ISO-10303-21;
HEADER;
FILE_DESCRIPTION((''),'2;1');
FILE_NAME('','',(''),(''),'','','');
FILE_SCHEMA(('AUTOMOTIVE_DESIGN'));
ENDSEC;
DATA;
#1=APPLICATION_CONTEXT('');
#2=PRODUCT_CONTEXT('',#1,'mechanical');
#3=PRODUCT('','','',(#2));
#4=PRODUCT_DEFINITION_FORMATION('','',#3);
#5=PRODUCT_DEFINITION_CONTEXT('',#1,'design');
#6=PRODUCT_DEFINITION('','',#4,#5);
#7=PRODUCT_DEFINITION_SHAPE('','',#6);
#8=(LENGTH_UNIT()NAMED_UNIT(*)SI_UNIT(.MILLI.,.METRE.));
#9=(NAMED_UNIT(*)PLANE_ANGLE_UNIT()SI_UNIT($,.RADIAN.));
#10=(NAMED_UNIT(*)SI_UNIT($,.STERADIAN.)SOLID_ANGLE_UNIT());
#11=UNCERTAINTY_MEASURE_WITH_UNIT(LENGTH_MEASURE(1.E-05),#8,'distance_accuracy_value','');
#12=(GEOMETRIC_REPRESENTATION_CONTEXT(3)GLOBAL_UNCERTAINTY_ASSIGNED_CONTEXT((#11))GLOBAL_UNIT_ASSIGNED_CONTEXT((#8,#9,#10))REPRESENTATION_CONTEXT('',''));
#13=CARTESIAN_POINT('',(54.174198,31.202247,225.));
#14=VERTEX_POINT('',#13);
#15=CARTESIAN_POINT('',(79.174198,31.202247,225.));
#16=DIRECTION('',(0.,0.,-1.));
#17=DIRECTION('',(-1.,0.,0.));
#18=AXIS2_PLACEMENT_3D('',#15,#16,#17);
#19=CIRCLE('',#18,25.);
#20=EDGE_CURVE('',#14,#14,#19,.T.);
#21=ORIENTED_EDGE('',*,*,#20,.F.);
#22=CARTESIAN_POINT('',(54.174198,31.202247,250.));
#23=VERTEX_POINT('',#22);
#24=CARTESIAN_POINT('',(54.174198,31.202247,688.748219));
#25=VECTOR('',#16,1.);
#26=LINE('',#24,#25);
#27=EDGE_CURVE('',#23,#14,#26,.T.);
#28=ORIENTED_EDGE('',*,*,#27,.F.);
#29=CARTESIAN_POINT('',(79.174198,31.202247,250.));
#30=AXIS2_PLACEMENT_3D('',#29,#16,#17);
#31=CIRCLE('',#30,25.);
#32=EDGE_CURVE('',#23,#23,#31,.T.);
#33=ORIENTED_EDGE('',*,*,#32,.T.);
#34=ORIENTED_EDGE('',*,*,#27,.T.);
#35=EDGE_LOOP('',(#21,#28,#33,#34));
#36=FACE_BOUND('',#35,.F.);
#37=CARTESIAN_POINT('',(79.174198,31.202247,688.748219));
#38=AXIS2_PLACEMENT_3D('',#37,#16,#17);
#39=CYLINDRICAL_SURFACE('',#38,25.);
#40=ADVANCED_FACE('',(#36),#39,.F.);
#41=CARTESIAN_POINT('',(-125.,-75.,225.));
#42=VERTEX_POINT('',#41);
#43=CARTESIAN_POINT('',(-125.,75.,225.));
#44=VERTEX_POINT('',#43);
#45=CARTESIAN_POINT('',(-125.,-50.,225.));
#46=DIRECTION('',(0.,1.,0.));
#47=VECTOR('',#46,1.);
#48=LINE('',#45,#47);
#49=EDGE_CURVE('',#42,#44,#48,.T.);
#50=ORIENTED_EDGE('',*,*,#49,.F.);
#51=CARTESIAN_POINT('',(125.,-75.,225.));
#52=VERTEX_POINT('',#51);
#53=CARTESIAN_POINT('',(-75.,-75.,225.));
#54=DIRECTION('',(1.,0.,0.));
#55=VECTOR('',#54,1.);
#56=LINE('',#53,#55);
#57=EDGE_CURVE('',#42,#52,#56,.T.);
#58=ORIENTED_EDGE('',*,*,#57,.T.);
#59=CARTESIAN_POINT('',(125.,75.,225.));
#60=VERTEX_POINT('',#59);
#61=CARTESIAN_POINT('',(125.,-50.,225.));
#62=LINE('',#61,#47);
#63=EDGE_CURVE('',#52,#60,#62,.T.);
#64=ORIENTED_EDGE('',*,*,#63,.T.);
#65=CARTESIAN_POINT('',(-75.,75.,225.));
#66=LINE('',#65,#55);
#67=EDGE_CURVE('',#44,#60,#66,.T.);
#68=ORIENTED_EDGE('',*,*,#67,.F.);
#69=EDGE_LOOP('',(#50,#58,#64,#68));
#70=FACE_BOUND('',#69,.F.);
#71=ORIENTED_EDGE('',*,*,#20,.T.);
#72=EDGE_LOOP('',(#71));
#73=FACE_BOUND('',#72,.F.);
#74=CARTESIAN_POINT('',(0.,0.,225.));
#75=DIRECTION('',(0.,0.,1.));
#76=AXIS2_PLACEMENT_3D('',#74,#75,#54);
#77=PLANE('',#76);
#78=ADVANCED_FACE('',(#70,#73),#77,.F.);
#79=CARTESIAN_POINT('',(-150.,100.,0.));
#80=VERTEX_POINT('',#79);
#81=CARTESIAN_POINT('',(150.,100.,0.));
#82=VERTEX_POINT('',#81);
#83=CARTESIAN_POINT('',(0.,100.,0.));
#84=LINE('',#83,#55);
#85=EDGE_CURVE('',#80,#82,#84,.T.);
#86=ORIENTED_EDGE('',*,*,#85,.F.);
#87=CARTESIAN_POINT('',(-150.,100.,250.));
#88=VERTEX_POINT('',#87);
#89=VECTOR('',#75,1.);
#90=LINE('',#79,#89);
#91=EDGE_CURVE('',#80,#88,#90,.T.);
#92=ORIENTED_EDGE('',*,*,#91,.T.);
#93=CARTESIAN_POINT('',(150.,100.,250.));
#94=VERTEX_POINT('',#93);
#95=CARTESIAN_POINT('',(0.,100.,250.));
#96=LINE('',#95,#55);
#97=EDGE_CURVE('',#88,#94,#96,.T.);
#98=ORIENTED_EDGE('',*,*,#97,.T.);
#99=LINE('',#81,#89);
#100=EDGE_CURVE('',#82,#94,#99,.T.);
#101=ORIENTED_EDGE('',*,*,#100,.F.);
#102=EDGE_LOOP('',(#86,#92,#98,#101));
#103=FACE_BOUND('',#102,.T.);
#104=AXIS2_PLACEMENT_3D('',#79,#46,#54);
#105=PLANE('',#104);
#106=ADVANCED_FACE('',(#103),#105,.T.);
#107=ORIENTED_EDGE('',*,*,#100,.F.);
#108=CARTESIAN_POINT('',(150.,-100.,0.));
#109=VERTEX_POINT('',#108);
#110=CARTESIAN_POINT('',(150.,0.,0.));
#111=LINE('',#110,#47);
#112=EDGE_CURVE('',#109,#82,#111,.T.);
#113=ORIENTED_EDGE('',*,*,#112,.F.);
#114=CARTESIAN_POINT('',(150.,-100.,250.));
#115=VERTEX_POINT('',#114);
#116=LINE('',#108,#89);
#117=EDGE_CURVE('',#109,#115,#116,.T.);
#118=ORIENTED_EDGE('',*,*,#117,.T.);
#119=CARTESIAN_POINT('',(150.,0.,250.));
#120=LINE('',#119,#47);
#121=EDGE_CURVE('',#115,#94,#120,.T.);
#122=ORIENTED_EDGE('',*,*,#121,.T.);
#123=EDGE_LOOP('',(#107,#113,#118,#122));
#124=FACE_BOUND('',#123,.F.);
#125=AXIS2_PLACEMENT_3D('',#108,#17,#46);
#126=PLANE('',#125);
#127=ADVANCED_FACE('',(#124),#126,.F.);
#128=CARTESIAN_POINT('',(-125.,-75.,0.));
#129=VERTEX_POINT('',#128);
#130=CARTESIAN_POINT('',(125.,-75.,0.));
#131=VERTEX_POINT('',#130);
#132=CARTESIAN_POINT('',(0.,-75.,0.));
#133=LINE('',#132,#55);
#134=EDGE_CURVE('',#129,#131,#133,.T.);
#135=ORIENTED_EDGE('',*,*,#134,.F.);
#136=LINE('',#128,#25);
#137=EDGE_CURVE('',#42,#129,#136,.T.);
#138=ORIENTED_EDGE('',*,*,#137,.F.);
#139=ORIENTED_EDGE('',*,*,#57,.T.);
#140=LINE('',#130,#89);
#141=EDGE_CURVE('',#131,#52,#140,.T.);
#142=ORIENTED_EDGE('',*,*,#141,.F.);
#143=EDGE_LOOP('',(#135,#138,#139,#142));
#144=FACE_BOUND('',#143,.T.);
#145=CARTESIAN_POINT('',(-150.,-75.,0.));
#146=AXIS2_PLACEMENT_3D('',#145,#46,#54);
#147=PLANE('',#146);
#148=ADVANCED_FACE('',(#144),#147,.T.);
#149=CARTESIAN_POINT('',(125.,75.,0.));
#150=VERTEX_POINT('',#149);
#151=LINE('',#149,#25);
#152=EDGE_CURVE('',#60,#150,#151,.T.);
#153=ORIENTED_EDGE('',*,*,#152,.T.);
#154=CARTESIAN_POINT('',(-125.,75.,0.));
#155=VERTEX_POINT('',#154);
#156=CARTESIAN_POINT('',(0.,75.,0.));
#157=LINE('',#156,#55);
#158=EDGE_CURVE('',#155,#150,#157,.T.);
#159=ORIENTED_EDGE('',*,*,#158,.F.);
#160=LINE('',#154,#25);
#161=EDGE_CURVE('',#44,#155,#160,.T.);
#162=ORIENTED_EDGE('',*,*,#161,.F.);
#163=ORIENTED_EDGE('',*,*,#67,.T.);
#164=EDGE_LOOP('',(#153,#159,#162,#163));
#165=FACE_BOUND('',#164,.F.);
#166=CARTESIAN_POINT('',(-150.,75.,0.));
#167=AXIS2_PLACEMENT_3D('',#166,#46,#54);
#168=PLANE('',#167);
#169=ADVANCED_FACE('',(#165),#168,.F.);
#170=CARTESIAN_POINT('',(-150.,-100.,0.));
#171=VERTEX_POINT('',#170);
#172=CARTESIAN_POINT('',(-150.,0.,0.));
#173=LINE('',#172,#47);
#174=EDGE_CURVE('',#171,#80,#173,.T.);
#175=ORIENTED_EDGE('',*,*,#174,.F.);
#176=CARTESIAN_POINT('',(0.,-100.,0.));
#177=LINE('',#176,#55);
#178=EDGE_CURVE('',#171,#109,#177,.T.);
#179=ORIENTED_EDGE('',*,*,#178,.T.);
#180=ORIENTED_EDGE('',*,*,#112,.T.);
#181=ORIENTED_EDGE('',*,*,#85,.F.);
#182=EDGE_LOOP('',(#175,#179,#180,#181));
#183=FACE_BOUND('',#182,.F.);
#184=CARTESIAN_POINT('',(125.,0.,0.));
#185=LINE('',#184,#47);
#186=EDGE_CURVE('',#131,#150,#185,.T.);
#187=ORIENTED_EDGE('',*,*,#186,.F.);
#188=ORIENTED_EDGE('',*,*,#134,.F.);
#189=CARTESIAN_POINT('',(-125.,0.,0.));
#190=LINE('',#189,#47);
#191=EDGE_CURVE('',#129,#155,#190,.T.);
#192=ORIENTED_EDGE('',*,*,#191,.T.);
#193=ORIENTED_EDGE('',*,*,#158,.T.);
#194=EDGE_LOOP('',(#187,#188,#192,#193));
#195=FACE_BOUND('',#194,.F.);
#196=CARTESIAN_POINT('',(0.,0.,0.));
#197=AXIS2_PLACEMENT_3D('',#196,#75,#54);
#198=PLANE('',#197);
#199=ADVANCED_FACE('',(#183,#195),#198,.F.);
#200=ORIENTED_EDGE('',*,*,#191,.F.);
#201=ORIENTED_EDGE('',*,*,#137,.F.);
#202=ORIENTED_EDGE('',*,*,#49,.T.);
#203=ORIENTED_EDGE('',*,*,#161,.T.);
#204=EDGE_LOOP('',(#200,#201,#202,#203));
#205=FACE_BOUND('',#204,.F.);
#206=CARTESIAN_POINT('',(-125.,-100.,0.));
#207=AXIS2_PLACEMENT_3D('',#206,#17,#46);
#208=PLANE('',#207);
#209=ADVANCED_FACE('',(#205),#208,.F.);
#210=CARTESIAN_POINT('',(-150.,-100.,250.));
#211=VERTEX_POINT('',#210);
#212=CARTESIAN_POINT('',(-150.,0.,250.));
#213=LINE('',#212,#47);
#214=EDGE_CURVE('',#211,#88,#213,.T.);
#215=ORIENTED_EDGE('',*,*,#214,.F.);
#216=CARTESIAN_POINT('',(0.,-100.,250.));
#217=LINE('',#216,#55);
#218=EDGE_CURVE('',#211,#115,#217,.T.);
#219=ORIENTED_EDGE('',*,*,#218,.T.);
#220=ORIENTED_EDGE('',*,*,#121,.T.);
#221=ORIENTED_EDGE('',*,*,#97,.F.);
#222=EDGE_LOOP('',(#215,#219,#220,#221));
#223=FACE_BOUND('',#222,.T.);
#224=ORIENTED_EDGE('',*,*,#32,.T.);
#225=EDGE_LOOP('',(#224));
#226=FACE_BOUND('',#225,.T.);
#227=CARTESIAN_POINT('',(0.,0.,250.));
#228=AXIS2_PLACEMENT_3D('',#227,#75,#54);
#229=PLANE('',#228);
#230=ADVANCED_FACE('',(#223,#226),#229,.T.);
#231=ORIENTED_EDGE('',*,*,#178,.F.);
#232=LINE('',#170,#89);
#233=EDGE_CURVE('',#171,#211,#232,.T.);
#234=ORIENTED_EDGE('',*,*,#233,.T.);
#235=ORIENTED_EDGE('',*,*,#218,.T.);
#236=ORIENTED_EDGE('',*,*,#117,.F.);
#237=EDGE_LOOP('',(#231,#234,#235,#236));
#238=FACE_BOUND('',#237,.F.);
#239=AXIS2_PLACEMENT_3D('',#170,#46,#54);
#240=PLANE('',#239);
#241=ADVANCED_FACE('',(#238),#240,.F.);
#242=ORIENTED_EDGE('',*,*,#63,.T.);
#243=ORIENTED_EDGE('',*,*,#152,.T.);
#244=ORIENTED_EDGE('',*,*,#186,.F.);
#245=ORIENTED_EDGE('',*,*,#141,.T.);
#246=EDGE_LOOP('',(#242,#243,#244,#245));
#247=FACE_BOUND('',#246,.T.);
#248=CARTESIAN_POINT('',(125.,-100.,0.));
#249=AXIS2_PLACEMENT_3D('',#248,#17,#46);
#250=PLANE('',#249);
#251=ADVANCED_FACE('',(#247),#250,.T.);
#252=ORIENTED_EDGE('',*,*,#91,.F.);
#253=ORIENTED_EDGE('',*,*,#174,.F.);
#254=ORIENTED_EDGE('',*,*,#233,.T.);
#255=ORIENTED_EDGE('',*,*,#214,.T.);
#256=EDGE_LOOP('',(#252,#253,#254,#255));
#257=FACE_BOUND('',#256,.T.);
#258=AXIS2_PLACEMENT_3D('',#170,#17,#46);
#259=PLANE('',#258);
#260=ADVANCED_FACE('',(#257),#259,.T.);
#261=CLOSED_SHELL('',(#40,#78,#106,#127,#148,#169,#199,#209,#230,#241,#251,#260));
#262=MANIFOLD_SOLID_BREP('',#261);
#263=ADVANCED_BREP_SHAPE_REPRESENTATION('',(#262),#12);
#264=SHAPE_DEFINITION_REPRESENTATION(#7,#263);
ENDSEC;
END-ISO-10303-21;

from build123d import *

# Parameters (mm, degrees)
F0_W     = 300
F0_H     = 200
F1_DEPTH = 250
F2_T     = -25
F4_D     = 50


with BuildPart() as f1:
    # F0 (on Top) → F1 (new body)
    with BuildSketch(Plane.XY):
        Rectangle(F0_W, F0_H)
    extrude(amount=F1_DEPTH)

    # F2
    f2_openings = [f1.faces().sort_by_distance(p)[0] for p in [
        (0, 0, 0),
    ]]
    offset(amount=F2_T, openings=f2_openings)

    # F4 (through all)
    with Locations(Plane.XY.offset(250)):
        with Locations((79.174198, 31.202247)):
            Hole(F4_D / 2)


solid = f1.part
